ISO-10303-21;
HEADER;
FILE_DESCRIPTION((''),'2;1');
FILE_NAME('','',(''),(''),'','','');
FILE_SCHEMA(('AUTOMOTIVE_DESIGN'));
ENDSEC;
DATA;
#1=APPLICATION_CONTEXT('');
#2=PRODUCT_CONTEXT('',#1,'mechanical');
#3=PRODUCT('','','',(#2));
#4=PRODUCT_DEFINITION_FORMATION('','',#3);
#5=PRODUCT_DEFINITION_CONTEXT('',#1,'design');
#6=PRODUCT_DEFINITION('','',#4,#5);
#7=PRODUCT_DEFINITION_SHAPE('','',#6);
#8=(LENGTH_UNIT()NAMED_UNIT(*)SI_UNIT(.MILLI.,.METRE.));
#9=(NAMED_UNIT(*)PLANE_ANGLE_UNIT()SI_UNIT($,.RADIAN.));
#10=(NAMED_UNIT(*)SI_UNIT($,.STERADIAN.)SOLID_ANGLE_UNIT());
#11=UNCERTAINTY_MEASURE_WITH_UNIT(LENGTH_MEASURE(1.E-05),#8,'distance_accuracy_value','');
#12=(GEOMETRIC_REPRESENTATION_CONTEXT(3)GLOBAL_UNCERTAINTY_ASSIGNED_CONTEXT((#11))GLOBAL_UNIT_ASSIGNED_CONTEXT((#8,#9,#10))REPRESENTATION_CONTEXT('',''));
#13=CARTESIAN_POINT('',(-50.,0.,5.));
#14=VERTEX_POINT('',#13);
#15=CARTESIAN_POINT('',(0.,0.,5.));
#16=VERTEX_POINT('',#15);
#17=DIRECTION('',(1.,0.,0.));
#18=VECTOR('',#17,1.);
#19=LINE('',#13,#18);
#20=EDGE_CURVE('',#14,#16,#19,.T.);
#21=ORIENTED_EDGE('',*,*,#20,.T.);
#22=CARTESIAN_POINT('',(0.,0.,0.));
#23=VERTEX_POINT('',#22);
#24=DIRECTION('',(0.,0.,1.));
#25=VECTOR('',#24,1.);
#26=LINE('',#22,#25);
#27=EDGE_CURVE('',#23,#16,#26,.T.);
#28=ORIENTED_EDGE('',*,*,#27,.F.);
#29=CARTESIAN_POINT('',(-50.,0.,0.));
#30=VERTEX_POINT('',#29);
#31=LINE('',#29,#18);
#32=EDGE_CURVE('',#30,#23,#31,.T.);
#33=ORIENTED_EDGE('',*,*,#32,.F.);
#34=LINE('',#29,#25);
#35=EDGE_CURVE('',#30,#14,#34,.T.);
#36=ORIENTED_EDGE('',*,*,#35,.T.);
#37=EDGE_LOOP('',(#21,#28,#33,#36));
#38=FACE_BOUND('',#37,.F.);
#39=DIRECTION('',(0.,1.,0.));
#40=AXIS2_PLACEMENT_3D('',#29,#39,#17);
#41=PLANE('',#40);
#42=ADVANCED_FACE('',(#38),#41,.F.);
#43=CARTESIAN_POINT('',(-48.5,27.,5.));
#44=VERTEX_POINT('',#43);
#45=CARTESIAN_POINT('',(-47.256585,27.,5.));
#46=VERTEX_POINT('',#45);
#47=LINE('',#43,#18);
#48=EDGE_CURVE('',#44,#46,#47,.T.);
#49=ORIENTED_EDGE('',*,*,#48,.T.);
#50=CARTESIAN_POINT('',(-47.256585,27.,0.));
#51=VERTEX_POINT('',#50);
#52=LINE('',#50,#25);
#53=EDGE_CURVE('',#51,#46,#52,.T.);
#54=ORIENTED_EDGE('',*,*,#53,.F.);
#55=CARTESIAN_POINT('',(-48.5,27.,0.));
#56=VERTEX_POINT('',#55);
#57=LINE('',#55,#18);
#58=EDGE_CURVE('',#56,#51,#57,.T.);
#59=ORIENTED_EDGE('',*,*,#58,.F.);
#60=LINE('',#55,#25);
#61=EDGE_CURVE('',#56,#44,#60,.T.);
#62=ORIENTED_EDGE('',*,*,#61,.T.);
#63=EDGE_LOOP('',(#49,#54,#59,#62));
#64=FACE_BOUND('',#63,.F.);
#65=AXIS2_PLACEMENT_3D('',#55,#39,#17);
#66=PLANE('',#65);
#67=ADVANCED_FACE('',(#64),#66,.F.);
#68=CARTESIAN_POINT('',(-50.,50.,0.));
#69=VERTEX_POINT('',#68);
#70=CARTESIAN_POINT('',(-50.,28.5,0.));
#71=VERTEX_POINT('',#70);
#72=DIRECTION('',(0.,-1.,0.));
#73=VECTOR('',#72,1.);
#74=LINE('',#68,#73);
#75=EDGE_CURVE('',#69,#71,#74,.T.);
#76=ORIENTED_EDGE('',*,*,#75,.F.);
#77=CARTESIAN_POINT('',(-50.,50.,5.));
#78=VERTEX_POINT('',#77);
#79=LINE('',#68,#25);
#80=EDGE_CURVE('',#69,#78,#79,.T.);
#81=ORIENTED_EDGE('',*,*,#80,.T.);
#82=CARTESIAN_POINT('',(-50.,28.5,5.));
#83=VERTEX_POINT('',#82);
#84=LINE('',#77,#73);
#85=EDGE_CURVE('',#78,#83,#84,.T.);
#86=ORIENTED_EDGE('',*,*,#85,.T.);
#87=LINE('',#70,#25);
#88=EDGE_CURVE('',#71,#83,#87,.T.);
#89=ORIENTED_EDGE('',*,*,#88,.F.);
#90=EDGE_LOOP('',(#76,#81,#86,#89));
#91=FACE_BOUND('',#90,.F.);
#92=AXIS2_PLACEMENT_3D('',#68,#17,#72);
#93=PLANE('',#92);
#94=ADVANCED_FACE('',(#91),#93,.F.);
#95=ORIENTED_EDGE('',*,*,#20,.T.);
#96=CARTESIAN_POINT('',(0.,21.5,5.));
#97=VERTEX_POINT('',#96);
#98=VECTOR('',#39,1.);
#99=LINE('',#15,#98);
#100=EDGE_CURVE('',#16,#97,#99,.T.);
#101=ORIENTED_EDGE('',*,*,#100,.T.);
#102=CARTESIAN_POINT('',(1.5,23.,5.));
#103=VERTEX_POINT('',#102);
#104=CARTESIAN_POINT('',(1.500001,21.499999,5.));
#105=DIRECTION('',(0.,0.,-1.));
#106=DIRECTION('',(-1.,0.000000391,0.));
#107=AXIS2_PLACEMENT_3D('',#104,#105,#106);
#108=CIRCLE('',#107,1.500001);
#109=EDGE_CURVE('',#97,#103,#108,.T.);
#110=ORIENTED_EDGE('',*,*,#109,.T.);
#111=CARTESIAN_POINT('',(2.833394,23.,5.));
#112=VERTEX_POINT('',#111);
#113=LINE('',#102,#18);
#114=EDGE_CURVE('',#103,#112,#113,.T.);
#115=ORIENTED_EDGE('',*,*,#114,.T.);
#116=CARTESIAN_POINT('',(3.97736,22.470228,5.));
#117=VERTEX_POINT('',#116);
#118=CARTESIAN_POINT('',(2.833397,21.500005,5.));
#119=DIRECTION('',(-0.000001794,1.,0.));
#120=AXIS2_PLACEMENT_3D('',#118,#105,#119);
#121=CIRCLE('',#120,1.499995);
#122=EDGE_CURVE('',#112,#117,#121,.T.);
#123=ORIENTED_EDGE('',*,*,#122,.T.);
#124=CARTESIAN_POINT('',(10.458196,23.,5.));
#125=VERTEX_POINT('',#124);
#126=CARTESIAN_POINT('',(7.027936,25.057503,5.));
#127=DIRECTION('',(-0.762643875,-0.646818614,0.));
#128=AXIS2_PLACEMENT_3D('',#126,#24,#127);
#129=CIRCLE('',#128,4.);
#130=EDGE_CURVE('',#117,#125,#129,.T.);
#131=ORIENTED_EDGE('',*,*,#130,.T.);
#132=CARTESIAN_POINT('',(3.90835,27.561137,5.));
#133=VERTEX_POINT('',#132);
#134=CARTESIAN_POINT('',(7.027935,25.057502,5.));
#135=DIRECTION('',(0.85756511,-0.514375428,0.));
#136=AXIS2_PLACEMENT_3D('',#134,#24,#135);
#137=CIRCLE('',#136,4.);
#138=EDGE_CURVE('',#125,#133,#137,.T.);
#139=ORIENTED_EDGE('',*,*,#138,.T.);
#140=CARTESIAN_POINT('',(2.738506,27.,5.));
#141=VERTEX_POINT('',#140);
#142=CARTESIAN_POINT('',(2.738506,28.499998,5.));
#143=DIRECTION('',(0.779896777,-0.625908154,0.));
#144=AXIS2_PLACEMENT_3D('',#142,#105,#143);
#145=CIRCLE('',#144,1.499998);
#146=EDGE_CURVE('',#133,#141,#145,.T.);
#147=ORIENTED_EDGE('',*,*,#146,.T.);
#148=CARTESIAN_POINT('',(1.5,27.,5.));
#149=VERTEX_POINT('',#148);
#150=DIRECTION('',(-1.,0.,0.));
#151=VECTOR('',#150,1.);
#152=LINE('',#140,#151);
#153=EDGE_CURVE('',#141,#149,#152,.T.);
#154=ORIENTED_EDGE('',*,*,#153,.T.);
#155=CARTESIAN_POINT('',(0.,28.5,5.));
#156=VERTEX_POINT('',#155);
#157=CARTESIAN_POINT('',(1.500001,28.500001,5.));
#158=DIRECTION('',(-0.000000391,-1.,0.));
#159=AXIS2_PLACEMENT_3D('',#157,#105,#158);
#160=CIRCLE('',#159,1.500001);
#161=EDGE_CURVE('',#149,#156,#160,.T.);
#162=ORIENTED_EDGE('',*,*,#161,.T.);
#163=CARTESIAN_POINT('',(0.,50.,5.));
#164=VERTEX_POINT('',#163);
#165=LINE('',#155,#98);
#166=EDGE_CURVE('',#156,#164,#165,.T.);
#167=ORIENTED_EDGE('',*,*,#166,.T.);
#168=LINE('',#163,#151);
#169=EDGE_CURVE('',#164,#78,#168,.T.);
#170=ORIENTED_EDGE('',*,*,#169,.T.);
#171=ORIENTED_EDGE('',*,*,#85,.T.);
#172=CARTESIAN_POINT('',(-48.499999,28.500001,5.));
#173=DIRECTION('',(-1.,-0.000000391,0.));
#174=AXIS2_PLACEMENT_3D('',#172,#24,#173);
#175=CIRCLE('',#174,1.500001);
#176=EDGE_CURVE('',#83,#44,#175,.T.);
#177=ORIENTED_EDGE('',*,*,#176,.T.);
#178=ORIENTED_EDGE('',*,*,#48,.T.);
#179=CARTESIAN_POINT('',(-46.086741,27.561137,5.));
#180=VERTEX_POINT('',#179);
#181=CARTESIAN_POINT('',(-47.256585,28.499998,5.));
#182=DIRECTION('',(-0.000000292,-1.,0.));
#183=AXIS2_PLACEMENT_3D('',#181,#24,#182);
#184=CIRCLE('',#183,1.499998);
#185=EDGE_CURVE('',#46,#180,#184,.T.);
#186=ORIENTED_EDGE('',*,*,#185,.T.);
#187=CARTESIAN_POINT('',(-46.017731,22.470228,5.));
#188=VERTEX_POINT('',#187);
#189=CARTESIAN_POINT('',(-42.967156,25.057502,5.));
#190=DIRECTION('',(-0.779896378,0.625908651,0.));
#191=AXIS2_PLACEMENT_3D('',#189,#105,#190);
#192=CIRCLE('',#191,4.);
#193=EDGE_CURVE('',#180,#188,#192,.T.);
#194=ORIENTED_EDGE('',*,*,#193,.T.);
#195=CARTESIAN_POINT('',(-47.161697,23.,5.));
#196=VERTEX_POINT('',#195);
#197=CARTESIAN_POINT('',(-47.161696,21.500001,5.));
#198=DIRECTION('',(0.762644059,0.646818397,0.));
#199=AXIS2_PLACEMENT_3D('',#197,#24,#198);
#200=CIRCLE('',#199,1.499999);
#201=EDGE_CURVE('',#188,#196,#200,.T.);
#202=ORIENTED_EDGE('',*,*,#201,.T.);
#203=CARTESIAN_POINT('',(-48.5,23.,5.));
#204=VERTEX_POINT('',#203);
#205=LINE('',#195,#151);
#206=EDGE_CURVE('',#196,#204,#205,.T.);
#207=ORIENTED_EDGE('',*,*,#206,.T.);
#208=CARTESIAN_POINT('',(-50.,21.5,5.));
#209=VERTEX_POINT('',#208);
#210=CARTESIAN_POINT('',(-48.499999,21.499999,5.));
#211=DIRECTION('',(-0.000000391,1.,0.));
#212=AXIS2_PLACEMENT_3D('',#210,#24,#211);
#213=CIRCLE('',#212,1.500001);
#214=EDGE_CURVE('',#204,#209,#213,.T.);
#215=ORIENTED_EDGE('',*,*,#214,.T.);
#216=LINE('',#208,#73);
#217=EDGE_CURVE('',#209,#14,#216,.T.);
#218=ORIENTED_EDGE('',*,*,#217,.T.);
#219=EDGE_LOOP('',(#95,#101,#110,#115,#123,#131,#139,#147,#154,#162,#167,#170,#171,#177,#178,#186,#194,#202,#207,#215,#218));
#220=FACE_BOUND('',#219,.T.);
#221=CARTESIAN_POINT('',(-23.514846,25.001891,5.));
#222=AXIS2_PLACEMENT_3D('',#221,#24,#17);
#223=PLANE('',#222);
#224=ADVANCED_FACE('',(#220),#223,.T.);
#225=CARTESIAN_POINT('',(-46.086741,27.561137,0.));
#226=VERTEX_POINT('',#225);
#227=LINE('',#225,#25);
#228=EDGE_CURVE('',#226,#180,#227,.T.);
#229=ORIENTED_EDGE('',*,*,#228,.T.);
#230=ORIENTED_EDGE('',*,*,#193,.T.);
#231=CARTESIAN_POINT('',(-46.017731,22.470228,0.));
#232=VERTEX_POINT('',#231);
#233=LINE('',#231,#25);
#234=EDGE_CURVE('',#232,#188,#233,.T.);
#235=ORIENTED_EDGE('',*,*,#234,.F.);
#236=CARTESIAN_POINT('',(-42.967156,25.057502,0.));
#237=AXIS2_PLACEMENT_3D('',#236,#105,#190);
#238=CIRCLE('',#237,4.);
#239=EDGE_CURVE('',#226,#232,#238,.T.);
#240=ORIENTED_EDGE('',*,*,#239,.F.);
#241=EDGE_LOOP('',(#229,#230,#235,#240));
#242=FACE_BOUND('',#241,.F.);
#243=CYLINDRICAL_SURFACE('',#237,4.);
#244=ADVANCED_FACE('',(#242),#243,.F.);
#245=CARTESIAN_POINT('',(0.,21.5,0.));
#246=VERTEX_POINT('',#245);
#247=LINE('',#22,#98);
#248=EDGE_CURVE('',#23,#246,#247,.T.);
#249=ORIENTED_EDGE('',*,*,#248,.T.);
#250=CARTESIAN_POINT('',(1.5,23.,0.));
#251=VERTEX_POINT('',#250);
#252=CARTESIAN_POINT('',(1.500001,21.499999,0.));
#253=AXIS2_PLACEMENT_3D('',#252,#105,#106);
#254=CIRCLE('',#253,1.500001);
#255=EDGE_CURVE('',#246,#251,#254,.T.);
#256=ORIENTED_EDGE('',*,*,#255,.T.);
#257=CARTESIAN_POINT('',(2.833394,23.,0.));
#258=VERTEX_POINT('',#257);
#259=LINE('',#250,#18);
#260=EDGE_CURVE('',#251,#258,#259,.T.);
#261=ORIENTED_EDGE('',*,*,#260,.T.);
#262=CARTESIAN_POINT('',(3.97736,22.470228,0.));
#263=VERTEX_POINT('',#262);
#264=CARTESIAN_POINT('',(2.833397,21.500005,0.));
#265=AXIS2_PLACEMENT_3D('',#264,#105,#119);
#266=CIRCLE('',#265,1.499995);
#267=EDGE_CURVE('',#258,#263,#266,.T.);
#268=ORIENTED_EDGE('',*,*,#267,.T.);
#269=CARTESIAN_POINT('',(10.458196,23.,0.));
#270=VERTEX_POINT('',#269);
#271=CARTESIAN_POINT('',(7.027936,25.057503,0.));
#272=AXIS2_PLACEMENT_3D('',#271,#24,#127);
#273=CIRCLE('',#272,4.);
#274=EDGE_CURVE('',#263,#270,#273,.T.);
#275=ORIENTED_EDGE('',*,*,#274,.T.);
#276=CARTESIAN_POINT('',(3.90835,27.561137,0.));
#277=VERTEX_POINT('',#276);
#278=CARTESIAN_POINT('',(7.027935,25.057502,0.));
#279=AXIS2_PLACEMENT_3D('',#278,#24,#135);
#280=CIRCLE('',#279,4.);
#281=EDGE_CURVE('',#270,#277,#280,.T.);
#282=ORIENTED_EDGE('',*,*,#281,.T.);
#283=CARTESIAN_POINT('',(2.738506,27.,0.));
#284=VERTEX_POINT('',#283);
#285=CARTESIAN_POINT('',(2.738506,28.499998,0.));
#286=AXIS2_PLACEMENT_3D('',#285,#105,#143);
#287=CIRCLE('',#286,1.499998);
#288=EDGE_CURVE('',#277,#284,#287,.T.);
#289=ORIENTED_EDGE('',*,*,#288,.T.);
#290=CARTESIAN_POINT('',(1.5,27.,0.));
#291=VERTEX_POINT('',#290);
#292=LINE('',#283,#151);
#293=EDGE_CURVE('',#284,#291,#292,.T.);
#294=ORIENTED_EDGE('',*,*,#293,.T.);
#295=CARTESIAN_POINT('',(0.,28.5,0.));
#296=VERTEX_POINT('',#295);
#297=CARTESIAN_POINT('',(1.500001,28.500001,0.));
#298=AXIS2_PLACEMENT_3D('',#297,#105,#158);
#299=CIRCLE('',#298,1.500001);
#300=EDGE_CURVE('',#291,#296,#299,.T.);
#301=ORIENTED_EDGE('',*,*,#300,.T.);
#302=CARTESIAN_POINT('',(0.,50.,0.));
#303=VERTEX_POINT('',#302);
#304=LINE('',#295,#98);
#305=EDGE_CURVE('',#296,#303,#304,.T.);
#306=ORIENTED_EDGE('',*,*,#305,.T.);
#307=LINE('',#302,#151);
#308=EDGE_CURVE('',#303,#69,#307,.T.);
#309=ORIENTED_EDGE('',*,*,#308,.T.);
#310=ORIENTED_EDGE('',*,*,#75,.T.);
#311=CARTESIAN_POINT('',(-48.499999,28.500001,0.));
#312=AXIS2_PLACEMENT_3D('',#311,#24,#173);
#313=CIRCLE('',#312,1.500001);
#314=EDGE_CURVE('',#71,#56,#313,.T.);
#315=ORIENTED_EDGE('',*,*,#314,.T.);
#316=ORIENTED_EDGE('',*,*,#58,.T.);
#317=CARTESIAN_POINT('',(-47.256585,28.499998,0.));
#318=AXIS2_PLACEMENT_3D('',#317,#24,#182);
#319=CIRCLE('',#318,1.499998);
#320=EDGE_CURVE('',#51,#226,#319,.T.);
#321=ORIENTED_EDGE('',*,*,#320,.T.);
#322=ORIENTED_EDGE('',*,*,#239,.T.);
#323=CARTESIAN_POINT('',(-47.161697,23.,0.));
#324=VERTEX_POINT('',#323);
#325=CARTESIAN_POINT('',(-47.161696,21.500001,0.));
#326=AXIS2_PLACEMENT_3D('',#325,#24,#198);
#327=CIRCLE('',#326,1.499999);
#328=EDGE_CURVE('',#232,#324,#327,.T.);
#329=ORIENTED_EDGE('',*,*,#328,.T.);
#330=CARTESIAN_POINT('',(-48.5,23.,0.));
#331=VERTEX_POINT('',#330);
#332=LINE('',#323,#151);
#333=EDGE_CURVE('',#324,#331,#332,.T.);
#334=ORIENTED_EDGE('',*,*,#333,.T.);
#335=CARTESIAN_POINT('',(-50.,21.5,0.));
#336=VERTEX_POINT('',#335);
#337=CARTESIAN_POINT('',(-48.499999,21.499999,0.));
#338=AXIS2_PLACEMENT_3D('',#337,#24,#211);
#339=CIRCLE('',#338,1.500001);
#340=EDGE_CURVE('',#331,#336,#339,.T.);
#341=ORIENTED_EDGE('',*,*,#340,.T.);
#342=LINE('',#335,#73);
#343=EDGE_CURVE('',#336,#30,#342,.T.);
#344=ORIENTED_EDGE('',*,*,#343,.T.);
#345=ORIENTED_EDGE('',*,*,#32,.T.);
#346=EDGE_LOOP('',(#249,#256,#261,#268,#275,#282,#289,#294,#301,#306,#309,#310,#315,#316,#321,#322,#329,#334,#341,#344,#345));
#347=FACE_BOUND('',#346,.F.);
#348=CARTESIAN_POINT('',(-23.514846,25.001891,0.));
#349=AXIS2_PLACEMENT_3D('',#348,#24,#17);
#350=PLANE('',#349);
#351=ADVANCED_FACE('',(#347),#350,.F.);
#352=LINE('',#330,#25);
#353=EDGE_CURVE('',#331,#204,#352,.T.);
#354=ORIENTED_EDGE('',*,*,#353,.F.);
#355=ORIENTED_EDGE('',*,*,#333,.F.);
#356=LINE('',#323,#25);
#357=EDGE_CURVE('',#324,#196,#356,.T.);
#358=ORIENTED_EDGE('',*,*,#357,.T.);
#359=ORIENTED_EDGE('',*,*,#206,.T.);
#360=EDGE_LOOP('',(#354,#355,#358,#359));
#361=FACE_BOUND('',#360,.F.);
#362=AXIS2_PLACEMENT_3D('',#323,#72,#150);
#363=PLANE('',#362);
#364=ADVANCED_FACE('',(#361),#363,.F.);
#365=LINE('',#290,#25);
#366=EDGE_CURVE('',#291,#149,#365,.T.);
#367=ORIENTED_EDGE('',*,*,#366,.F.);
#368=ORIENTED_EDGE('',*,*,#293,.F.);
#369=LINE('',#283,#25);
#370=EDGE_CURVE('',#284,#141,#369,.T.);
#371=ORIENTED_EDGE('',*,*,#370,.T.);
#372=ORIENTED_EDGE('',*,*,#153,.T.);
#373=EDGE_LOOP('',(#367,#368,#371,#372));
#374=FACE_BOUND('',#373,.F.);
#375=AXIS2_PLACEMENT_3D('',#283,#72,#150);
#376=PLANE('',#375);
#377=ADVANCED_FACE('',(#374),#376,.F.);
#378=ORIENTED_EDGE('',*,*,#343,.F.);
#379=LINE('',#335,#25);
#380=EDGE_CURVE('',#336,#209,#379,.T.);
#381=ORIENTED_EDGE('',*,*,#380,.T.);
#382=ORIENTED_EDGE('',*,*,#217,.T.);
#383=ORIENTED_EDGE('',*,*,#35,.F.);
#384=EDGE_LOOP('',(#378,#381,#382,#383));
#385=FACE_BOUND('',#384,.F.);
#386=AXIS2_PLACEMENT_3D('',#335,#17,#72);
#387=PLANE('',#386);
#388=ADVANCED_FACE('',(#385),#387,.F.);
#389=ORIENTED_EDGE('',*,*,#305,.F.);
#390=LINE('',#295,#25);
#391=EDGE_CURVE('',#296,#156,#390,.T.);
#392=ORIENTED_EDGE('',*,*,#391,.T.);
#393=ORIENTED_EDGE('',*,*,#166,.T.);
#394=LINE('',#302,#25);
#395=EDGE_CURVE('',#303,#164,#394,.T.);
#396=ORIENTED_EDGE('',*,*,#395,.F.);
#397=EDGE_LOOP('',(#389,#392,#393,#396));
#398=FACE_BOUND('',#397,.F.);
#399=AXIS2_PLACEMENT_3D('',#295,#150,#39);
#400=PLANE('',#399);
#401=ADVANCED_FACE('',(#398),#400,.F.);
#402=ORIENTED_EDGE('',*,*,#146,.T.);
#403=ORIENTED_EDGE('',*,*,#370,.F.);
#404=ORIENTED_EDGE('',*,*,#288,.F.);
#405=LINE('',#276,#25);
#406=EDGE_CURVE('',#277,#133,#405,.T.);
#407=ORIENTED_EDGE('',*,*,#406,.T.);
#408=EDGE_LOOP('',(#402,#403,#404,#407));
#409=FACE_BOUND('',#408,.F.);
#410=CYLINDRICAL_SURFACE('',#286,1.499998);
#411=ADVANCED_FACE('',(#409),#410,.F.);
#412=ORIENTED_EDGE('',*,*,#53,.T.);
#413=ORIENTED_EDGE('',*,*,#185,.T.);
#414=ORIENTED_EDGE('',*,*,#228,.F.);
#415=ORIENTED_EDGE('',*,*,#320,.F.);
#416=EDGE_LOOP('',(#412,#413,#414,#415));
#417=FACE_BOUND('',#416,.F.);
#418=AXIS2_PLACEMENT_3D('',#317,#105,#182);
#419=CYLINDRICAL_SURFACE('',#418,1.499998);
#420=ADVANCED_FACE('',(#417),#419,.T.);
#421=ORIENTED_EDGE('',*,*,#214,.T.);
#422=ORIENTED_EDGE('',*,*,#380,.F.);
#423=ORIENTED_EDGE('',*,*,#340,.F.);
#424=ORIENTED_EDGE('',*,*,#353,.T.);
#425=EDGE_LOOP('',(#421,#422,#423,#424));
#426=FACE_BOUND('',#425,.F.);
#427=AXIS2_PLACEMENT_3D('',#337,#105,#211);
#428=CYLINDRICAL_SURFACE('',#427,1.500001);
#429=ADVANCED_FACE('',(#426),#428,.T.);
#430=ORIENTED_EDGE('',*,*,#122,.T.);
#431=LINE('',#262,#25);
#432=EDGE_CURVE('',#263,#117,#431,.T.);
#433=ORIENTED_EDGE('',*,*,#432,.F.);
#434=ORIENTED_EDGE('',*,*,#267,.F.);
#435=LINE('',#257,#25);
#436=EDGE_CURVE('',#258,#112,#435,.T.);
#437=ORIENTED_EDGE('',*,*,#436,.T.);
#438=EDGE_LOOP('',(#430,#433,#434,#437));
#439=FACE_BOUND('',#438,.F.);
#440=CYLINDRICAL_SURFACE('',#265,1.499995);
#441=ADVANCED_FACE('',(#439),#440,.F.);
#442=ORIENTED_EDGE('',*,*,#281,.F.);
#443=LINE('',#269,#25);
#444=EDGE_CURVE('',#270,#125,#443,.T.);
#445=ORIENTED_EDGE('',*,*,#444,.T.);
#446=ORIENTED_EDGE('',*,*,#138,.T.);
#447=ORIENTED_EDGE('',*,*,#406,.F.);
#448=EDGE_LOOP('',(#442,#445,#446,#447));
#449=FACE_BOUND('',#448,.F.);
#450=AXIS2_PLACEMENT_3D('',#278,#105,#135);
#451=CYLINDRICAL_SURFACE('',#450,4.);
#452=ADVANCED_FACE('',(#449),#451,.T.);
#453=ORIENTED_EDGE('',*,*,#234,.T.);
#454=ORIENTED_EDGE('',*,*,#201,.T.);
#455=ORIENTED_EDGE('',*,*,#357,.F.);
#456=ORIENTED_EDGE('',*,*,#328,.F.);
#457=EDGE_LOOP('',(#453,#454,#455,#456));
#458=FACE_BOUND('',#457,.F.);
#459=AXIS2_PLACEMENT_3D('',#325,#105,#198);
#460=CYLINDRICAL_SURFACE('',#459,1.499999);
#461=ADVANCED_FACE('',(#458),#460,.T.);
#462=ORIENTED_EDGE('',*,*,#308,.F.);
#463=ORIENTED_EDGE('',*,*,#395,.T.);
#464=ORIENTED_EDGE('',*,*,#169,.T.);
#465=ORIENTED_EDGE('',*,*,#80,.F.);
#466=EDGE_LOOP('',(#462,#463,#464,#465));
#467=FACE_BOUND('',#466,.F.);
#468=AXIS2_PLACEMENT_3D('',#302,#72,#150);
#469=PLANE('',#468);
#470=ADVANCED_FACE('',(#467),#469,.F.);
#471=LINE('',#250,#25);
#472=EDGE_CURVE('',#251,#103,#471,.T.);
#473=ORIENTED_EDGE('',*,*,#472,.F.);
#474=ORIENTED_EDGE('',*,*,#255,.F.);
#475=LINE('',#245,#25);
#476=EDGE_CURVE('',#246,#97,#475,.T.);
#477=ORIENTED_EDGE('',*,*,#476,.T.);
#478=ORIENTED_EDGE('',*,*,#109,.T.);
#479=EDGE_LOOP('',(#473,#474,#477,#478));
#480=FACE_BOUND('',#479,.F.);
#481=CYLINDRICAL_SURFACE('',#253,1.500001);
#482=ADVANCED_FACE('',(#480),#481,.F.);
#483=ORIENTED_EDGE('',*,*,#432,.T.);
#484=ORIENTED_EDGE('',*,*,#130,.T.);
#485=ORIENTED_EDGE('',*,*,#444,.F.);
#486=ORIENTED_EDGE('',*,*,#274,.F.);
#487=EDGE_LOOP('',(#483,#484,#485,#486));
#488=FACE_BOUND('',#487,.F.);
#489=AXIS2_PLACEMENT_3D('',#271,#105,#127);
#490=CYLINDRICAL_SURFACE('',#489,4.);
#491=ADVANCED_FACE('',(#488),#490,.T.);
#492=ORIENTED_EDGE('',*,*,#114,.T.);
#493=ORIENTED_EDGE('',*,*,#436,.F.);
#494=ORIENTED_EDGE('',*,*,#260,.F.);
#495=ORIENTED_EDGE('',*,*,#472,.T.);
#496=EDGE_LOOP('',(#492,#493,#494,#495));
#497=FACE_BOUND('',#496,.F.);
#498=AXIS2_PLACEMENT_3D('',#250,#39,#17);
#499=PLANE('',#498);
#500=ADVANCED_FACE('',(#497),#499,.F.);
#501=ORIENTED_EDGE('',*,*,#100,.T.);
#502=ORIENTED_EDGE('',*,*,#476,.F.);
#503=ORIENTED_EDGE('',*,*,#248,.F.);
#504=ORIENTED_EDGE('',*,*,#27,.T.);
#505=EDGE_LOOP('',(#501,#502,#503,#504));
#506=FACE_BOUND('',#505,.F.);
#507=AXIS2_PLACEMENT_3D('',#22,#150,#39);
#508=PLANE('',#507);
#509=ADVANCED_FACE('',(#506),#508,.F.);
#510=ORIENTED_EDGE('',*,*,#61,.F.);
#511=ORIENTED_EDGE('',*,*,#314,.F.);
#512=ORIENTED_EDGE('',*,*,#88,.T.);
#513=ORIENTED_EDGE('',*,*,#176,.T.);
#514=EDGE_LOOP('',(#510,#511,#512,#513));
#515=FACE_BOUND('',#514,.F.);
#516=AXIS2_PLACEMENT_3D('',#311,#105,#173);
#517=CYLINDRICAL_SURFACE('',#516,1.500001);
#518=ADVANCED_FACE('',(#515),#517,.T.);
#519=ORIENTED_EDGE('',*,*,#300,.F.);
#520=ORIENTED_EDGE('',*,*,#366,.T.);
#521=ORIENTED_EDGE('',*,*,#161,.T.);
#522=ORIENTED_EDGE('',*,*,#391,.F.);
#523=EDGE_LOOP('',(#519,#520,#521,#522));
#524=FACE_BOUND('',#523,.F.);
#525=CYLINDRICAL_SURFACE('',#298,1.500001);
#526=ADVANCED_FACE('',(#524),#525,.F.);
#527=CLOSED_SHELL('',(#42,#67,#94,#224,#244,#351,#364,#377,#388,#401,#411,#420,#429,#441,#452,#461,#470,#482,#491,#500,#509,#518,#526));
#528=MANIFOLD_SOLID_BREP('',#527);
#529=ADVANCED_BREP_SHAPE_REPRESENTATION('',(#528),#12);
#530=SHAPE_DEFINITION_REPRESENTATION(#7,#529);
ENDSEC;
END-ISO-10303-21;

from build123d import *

# Parameters (mm, degrees)
F1_DEPTH = 5


with BuildPart() as f1:
    # F0 (on Top) → F1 (new body)
    with BuildSketch(Plane.XY):
        with BuildLine():
            Line((-50, 0), (0, 0))
            Line((0, 0), (0, 21.5))
            ThreePointArc((0, 21.5), (0.43934, 22.56066), (1.5, 23))
            Line((1.5, 23), (2.833394, 23))
            ThreePointArc((2.833394, 23), (3.463735, 22.861129), (3.97736, 22.470228))
            ThreePointArc((3.97736, 22.470228), (7.353826, 21.0708), (10.458196, 23))
            ThreePointArc((10.458196, 23), (9.313788, 28.340013), (3.90835, 27.561137))
            ThreePointArc((3.90835, 27.561137), (3.387237, 27.14754), (2.738506, 27))
            Line((2.738506, 27), (1.5, 27))
            ThreePointArc((1.5, 27), (0.43934, 27.43934), (0, 28.5))
            Line((0, 28.5), (0, 50))
            Line((0, 50), (-50, 50))
            Line((-50, 50), (-50, 28.5))
            ThreePointArc((-50, 28.5), (-49.56066, 27.43934), (-48.5, 27))
            Line((-48.5, 27), (-47.256585, 27))
            ThreePointArc((-47.256585, 27), (-46.607854, 27.14754), (-46.086741, 27.561137))
            ThreePointArc((-46.086741, 27.561137), (-38.967523, 25.111719), (-46.017731, 22.470228))
            ThreePointArc((-46.017731, 22.470228), (-46.531357, 22.861129), (-47.161697, 23))
            Line((-47.161697, 23), (-48.5, 23))
            ThreePointArc((-48.5, 23), (-49.56066, 22.56066), (-50, 21.5))
            Line((-50, 21.5), (-50, 0))
        make_face()
    extrude(amount=F1_DEPTH)


solid = f1.part
